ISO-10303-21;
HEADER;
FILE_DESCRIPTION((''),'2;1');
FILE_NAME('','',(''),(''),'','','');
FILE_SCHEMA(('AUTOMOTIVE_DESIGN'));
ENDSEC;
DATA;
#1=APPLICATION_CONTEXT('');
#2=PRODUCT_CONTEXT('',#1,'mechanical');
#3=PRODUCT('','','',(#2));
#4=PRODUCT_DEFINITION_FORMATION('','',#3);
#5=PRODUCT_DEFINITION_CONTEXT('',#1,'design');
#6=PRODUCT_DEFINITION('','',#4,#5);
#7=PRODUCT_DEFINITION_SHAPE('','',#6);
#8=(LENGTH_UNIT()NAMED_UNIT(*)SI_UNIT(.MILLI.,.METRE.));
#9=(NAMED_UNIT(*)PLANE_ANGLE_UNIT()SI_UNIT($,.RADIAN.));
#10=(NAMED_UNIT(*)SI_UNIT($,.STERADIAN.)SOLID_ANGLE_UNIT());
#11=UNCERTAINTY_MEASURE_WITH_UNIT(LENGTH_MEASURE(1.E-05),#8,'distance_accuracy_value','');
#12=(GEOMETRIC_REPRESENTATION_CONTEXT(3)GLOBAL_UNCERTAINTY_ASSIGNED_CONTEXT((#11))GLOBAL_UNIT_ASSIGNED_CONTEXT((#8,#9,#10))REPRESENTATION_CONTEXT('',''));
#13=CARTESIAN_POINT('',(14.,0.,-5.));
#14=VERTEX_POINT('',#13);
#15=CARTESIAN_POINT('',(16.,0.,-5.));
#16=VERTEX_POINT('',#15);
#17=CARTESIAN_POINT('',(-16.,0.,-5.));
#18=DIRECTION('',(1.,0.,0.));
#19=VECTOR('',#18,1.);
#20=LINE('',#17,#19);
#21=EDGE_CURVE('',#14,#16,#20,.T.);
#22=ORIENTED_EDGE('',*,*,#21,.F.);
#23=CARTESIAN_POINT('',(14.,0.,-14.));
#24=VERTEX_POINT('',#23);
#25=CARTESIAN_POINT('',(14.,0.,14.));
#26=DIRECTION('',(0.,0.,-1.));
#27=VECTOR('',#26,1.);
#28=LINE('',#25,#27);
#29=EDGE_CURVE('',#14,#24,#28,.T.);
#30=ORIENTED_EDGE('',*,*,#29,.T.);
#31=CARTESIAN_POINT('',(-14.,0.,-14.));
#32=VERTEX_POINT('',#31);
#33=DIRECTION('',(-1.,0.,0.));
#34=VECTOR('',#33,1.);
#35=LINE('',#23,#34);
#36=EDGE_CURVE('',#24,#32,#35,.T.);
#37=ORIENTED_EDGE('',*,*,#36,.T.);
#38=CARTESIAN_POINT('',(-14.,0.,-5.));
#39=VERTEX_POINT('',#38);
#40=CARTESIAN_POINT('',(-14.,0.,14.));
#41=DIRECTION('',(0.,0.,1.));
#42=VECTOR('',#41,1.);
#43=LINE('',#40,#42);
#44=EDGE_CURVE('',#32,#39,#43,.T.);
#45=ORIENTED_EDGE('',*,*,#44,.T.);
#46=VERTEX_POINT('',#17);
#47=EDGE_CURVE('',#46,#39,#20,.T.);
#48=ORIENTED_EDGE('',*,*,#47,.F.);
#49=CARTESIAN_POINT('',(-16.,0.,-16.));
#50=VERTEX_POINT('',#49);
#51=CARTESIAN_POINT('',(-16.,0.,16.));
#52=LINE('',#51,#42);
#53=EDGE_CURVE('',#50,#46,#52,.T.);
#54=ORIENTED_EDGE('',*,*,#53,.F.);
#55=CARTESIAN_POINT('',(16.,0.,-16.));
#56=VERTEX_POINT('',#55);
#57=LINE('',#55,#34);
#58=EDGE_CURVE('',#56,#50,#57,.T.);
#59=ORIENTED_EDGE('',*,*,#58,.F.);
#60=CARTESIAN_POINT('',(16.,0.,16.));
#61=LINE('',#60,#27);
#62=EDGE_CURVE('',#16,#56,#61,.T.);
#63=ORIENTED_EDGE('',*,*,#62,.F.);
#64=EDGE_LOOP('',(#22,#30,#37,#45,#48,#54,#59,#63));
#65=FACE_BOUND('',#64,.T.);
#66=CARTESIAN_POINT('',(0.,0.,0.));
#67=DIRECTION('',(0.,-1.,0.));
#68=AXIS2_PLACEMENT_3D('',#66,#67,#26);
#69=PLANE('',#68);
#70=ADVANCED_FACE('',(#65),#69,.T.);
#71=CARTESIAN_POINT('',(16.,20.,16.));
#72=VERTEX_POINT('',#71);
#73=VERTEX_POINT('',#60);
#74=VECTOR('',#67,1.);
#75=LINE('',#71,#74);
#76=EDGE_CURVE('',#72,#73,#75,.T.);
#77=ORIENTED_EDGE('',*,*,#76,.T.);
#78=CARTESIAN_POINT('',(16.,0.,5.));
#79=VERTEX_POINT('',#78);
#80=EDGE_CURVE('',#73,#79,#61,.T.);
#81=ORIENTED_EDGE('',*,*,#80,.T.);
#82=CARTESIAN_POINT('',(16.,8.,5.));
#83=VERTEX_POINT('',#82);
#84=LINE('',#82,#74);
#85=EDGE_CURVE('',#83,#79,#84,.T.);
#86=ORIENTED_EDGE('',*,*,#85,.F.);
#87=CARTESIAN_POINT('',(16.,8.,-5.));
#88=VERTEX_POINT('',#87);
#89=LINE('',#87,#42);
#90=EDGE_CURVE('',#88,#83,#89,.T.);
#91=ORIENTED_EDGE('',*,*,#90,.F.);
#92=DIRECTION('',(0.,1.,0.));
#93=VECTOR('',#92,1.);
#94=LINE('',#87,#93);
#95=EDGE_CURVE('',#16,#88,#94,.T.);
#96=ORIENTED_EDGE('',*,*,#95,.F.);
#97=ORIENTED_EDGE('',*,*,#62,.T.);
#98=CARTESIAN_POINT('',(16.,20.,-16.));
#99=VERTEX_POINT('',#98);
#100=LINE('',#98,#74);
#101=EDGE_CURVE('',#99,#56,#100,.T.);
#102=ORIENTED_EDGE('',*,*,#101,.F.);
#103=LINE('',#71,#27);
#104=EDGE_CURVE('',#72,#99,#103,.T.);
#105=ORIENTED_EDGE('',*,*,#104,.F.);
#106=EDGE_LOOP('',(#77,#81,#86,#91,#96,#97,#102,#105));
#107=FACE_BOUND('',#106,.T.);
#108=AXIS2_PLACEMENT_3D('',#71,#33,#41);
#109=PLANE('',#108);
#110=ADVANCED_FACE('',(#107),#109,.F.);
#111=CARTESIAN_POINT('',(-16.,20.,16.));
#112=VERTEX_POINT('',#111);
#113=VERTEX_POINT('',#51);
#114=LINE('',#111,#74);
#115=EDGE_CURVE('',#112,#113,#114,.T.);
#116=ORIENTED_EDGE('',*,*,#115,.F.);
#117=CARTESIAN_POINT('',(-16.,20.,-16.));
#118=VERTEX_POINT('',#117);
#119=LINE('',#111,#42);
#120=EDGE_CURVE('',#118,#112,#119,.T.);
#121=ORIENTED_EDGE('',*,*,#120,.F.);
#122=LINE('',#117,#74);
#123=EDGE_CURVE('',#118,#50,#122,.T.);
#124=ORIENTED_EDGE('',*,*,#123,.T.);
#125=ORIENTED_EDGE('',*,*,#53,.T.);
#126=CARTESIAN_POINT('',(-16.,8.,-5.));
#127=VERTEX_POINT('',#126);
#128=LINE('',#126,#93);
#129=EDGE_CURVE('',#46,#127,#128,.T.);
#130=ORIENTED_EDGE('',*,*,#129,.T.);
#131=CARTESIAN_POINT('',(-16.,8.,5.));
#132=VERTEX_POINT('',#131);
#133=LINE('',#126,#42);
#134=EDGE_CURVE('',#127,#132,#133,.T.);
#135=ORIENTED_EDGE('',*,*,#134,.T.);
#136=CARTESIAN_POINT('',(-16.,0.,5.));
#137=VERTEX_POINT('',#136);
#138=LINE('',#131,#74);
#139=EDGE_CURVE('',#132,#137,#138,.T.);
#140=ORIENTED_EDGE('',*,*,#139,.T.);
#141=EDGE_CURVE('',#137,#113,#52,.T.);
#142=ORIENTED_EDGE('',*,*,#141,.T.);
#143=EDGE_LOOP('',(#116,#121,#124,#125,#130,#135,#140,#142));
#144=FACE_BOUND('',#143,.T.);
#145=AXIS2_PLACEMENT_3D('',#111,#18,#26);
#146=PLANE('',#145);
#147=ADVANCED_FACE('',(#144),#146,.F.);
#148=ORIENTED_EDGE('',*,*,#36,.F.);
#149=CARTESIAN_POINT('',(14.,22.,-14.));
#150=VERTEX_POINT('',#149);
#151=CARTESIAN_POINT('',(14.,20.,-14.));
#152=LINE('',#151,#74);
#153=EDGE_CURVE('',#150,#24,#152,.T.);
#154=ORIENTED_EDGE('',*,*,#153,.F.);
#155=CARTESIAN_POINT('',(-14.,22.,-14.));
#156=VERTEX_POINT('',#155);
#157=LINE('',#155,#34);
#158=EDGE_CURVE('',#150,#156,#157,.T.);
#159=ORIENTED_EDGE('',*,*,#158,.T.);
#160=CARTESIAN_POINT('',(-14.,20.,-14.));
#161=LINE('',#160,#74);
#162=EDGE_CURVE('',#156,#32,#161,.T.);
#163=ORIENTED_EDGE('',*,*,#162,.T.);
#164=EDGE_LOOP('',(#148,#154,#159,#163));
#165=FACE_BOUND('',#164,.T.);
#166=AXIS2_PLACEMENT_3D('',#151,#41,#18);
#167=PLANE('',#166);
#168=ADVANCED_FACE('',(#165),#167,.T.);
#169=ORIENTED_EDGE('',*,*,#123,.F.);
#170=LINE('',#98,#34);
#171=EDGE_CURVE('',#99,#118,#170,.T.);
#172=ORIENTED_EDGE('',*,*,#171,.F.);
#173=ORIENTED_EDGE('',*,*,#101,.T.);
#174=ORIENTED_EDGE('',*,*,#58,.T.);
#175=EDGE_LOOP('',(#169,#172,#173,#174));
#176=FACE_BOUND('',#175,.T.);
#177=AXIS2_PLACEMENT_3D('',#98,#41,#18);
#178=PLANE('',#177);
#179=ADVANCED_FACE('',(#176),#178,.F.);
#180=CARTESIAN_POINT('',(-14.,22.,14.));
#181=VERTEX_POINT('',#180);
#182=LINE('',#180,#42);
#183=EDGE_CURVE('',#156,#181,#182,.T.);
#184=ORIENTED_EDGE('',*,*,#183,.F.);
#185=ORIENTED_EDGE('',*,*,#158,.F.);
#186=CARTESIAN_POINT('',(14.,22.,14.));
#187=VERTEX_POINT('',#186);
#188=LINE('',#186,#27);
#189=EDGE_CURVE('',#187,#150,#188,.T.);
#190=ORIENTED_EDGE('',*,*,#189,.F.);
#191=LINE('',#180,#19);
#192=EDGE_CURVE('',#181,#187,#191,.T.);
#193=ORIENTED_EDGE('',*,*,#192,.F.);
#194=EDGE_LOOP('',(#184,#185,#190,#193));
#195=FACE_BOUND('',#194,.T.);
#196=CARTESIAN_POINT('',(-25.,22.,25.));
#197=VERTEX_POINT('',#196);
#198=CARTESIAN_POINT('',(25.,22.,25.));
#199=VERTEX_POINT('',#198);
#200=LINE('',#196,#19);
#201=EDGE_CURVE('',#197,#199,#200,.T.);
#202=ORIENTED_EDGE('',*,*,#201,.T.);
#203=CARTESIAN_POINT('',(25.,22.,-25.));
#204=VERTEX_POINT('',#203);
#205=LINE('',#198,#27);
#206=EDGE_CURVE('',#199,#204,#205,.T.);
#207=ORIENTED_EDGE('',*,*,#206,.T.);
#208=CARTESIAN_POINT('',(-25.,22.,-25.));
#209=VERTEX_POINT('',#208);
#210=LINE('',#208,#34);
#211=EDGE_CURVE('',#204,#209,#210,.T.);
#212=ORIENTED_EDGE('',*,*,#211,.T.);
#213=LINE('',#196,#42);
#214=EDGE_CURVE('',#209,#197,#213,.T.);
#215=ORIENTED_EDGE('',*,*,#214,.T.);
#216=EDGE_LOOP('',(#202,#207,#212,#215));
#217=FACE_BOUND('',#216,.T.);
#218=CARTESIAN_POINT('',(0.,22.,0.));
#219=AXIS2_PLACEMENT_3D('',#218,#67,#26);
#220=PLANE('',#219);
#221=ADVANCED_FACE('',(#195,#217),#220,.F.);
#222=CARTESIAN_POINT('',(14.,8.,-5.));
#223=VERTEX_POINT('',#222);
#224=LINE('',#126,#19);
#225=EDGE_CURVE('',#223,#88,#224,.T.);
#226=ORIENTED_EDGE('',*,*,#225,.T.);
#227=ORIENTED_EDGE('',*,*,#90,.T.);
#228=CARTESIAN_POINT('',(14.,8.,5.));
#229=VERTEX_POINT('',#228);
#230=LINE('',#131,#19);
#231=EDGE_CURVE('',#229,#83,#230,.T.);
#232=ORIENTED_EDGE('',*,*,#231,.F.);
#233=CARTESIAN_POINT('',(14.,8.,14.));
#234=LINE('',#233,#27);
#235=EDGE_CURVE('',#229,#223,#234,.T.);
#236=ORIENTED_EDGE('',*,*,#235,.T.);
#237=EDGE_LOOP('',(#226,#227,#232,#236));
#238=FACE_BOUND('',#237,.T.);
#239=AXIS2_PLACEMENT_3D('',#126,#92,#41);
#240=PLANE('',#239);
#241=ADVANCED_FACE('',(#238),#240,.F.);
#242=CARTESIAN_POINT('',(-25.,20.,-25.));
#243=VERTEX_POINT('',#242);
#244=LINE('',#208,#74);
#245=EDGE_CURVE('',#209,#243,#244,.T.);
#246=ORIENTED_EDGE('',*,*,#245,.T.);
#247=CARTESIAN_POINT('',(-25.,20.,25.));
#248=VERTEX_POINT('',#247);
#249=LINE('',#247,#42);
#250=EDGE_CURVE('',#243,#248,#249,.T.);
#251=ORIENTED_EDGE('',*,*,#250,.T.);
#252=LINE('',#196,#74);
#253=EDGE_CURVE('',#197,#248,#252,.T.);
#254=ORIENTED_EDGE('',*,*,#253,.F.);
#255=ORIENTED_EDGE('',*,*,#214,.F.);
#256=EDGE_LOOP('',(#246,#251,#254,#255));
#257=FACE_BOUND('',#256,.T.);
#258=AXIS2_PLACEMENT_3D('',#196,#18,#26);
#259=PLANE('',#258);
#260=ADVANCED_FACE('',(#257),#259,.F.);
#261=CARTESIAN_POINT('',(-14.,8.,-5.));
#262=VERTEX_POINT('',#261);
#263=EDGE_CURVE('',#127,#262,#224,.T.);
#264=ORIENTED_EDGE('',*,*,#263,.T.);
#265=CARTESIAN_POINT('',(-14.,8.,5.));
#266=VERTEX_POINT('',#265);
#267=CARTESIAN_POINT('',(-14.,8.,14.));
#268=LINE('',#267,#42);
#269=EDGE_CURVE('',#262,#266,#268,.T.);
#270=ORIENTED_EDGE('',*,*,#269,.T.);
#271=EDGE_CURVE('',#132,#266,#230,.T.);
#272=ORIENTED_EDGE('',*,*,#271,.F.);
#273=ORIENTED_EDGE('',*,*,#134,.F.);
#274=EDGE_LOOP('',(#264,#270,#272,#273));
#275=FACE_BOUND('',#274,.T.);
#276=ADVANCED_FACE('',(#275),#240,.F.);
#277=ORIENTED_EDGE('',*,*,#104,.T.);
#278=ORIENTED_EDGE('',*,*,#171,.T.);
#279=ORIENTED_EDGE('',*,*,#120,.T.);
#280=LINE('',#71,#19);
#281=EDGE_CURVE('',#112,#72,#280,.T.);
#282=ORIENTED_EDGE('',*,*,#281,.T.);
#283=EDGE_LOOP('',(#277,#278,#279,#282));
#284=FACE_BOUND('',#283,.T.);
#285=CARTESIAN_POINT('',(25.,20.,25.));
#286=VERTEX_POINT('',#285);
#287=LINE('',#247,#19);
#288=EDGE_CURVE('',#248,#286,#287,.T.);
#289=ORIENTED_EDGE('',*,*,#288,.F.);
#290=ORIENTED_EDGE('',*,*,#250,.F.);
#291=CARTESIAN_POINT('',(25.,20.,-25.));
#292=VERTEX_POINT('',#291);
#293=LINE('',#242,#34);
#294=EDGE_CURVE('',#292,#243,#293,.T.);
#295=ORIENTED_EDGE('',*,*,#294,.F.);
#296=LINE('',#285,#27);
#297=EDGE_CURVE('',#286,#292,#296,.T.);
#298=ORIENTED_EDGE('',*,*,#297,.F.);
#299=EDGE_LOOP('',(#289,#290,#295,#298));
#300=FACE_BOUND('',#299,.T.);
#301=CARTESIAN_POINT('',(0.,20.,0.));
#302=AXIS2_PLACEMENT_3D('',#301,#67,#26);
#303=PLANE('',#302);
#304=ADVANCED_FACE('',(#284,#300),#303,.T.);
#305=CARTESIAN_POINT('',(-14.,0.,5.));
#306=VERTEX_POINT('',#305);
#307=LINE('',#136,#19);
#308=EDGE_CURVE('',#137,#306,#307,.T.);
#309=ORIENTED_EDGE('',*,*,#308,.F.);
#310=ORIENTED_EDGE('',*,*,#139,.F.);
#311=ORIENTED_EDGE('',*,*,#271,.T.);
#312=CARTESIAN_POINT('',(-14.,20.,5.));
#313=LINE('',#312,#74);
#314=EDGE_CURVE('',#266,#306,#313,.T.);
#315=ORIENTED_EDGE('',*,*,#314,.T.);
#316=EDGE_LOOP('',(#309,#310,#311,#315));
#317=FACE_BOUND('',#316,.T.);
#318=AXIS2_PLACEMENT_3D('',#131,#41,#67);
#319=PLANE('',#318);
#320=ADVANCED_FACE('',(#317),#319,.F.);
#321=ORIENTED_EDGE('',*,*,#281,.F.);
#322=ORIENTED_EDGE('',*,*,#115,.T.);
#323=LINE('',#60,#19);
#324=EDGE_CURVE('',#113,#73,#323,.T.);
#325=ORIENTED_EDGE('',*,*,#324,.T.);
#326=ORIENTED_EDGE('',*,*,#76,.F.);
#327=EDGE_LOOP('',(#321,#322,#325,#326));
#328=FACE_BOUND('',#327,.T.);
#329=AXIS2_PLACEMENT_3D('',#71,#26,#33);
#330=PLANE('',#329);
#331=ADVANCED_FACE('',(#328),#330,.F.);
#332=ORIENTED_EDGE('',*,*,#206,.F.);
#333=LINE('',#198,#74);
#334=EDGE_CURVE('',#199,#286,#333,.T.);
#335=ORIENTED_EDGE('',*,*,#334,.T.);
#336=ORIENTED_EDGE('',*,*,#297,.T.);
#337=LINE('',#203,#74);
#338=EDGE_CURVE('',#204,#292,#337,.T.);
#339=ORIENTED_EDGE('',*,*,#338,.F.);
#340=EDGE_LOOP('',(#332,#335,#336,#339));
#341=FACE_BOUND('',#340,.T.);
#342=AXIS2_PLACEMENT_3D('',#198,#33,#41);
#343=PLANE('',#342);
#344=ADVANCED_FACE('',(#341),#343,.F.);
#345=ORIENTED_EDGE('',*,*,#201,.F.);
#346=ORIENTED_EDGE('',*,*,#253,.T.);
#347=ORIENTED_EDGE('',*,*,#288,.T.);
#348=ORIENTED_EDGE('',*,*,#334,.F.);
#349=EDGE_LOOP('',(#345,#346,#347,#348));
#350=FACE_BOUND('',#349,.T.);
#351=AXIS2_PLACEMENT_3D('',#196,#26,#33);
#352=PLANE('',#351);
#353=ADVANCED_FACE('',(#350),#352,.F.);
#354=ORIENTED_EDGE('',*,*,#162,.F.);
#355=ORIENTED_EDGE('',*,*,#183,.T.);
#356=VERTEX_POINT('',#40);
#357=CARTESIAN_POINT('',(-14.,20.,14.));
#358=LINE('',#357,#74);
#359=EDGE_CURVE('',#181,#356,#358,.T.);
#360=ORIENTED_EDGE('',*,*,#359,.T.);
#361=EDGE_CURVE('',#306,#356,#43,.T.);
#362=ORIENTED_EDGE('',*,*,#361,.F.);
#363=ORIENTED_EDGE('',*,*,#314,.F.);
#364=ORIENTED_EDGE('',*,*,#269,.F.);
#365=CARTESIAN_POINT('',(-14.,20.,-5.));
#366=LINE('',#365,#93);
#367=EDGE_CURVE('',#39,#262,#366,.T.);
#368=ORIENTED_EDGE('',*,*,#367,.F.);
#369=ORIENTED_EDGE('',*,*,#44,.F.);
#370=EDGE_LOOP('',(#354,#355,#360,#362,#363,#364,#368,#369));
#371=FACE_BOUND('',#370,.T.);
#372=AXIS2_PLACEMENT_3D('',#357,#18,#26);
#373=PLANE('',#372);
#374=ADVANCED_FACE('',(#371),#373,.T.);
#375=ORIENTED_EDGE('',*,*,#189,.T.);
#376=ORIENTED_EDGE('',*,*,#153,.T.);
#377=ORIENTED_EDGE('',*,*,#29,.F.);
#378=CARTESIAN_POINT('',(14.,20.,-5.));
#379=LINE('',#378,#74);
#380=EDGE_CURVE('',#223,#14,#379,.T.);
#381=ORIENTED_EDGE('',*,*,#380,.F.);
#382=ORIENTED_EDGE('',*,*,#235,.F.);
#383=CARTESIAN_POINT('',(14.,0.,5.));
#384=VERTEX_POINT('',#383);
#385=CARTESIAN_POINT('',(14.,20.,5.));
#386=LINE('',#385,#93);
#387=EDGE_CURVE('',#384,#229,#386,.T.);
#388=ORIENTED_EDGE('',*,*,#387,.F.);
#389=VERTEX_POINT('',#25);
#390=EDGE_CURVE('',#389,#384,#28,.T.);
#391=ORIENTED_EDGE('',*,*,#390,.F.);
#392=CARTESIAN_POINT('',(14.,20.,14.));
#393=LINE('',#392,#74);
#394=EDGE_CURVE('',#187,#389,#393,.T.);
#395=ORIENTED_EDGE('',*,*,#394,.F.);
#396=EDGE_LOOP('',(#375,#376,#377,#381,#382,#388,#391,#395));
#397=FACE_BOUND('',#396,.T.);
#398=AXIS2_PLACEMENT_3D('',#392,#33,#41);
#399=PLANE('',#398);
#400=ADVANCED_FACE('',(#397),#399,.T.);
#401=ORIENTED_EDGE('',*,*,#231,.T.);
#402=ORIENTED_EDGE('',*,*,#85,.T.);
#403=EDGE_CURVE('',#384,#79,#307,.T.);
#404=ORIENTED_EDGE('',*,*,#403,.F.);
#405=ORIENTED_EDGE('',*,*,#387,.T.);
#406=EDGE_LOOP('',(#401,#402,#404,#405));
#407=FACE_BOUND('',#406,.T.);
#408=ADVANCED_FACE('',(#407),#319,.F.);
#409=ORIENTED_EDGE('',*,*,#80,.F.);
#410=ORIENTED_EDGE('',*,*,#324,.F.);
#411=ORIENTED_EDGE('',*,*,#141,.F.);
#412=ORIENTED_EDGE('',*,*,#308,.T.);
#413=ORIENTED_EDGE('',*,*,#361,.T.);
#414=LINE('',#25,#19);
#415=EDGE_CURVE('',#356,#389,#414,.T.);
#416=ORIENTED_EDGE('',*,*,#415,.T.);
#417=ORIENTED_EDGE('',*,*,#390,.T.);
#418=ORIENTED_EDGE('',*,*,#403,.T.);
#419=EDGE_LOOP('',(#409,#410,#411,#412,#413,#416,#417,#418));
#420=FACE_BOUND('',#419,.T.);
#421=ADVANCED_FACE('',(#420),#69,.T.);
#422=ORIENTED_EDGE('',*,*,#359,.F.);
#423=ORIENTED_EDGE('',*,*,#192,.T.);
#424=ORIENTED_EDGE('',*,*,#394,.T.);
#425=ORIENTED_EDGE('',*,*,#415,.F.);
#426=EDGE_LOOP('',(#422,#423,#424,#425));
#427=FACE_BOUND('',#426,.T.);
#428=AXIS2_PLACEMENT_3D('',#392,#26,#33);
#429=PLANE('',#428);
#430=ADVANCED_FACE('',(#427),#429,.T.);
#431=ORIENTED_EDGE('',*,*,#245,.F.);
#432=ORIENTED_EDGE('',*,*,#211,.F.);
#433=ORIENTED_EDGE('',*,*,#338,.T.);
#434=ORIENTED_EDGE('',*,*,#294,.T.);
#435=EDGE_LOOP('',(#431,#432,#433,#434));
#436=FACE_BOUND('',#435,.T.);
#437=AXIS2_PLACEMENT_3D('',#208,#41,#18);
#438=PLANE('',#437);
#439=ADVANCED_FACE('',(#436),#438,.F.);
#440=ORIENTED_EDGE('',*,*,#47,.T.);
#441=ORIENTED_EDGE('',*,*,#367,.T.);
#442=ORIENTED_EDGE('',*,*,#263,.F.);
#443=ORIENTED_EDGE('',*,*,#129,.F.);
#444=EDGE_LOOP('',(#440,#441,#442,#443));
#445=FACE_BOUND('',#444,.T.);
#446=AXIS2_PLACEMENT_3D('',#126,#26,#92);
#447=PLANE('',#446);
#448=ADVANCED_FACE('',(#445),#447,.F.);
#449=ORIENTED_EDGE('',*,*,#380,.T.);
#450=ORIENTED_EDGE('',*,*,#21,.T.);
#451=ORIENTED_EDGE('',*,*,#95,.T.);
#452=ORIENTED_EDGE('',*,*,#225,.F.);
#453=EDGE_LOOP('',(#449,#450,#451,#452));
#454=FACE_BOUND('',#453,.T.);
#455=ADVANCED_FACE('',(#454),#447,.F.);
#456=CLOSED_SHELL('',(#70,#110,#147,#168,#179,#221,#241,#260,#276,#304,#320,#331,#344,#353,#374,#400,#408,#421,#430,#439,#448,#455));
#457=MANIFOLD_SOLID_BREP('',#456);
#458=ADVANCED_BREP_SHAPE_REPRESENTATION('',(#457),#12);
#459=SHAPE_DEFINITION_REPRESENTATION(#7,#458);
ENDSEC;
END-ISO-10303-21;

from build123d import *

# Parameters (mm, degrees)
SKETCH1_W           = 32
SKETCH1_H           = 32
SKETCH1_W_2         = 28
SKETCH1_H_2         = 28
BOSS_EXTRUDE1_DEPTH = 20
SKETCH2_W           = 10
SKETCH2_H           = 8
CUT_EXTRUDE1_DEPTH  = 33
SKETCH3_W           = 50
SKETCH3_H           = 50
SKETCH3_W_2         = 28
SKETCH3_H_2         = 28
BOSS_EXTRUDE2_DEPTH = 2


with BuildPart() as part:
    # Sketch1 → Boss-Extrude1 (new body)
    with BuildSketch(Plane(origin=(0, 0, 0), x_dir=(1, 0, 0), z_dir=(0, 1, 0))):
        Rectangle(SKETCH1_W, SKETCH1_H)
        Rectangle(SKETCH1_W_2, SKETCH1_H_2, mode=Mode.SUBTRACT)
    extrude(amount=BOSS_EXTRUDE1_DEPTH)

    # Sketch2 → Cut-Extrude1 (cut, through all)
    with BuildSketch(Plane(origin=(16, 0, 0), x_dir=(0, 0, -1), z_dir=(1, 0, 0))):
        with Locations((0, 4)):
            Rectangle(SKETCH2_W, SKETCH2_H)
    extrude(amount=-CUT_EXTRUDE1_DEPTH, mode=Mode.SUBTRACT)

    # Sketch3 → Boss-Extrude2 (add)
    with BuildSketch(Plane(origin=(0, 20, 0), x_dir=(1, 0, 0), z_dir=(0, 1, 0))):
        Rectangle(SKETCH3_W, SKETCH3_H)
        Rectangle(SKETCH3_W_2, SKETCH3_H_2, mode=Mode.SUBTRACT)
    extrude(amount=BOSS_EXTRUDE2_DEPTH)


solid = part.part
